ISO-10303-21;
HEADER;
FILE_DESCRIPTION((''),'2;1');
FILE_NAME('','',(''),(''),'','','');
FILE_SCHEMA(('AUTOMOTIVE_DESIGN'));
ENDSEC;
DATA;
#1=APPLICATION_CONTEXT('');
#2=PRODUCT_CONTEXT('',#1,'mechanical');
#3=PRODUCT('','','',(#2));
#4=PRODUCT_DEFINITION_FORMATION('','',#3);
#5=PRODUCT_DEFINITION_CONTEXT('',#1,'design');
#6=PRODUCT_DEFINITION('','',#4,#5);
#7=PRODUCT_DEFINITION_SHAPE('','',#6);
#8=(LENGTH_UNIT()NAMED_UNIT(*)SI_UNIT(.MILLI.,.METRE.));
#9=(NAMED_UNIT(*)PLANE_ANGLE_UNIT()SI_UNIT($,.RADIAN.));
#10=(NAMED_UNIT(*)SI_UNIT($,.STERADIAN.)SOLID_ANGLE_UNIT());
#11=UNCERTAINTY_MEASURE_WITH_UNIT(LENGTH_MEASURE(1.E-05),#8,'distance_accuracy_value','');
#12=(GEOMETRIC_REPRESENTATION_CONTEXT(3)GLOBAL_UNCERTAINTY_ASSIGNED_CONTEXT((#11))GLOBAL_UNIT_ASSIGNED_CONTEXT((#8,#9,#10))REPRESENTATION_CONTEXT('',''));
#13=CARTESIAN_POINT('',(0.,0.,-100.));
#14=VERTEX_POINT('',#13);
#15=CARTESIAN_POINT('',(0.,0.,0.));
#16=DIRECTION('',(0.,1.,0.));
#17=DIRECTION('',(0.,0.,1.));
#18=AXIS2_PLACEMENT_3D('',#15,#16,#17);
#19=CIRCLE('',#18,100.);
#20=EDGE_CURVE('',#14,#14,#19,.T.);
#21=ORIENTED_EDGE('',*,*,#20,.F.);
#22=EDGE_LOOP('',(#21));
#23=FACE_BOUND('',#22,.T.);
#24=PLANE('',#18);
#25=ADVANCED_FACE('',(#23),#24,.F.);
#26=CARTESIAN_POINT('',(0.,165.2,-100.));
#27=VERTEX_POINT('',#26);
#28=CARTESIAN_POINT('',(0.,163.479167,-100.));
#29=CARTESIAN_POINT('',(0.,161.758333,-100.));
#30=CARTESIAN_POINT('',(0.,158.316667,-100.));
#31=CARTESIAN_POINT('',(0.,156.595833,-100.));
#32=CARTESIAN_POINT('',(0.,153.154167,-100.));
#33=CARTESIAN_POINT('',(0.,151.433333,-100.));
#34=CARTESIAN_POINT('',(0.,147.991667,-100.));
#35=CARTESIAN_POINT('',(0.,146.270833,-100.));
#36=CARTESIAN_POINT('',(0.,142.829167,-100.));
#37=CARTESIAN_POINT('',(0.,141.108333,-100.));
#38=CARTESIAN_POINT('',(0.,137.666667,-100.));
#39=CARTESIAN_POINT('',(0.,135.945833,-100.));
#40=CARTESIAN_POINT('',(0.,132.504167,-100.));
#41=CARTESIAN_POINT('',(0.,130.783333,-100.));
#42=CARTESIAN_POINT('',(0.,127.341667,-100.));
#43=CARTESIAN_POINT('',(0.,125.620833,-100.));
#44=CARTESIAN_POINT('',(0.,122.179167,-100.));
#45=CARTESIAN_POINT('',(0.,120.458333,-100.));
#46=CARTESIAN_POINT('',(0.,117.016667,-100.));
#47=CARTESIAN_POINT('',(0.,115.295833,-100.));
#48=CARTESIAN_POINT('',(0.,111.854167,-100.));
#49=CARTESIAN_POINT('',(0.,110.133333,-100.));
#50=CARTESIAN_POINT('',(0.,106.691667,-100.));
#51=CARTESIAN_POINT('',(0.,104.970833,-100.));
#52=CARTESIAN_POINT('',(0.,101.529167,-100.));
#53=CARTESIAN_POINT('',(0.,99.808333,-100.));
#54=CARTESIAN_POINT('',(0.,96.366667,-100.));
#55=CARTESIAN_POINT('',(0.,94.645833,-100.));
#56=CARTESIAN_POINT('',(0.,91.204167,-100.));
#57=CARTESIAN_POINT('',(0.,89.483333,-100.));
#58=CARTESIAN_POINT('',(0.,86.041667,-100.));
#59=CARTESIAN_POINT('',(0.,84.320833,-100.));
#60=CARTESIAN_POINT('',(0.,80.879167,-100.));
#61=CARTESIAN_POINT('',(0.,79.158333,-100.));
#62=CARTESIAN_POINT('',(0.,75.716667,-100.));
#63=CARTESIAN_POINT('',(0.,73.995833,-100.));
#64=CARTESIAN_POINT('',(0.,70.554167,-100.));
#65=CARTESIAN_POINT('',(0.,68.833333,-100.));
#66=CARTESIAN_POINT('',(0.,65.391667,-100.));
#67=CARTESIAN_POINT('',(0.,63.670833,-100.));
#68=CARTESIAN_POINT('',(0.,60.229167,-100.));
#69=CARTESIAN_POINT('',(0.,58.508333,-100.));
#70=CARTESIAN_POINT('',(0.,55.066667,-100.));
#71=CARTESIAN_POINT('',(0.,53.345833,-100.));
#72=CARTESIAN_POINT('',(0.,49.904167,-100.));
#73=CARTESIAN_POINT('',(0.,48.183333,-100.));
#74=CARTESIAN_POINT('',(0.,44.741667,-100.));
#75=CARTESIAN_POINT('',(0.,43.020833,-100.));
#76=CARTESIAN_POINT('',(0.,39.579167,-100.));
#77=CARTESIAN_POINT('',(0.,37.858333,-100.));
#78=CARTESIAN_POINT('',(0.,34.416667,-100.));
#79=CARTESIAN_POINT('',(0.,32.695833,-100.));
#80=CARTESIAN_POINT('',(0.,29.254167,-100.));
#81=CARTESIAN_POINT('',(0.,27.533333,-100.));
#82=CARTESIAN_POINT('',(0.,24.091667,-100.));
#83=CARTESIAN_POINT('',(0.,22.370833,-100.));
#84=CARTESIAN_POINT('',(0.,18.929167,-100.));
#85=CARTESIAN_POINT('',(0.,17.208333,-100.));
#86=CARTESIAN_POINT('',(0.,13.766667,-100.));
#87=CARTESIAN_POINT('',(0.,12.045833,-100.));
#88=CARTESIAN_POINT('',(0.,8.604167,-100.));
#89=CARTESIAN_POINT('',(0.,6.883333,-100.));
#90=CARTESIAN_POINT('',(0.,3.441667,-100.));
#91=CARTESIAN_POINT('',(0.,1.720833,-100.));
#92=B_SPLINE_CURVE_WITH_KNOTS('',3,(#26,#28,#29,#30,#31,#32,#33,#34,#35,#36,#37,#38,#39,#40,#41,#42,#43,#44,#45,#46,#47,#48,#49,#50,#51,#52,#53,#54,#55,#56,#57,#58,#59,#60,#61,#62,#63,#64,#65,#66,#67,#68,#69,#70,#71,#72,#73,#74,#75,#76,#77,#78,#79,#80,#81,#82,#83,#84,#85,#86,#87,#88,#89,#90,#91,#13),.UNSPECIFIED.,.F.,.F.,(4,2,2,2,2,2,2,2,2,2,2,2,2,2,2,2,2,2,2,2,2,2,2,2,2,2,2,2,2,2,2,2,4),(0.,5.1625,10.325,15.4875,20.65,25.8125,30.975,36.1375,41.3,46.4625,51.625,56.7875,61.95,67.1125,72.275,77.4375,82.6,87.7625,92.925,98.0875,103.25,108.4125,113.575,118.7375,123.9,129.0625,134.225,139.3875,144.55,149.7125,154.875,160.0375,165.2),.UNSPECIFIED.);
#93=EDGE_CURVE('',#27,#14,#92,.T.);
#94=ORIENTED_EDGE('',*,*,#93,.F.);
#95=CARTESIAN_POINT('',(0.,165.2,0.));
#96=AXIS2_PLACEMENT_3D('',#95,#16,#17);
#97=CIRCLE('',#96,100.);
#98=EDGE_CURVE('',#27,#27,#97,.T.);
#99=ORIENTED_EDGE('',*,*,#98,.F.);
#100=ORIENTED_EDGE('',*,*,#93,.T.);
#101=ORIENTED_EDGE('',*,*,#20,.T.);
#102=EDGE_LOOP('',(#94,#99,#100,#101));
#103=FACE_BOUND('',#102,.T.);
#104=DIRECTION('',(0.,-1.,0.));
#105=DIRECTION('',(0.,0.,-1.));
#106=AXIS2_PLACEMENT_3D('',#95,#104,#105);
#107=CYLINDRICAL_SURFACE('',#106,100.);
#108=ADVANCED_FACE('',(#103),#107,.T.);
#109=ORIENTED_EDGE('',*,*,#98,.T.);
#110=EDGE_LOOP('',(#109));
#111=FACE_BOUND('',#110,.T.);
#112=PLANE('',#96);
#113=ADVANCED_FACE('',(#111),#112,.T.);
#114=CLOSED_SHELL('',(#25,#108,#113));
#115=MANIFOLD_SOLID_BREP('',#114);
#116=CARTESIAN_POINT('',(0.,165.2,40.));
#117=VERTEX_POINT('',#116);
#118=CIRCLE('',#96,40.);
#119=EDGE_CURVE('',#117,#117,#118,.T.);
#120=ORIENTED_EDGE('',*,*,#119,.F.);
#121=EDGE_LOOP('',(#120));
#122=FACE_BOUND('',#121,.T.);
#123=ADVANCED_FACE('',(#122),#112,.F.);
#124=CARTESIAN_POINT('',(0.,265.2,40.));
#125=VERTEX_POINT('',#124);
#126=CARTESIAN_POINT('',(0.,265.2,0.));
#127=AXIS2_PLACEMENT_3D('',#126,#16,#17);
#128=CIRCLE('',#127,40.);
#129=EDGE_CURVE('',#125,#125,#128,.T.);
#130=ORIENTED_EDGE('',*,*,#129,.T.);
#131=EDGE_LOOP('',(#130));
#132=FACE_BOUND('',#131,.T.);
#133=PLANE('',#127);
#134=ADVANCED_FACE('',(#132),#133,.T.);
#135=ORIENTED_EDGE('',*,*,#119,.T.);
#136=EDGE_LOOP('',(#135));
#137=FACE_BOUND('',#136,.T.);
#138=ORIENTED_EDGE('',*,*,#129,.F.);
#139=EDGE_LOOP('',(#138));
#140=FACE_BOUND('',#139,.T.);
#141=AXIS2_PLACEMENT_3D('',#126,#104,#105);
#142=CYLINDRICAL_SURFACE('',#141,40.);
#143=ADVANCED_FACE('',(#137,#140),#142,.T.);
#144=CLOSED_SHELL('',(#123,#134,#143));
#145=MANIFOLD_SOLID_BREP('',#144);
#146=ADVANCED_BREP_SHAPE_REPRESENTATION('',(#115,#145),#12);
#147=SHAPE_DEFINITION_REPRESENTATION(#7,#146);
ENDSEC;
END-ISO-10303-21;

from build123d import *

# Parameters (mm, degrees)
SKETCH_1_R      = 100
EXTRUDE_1_DEPTH = 165.2
SKETCH_3_R      = 40
EXTRUDE_3_DEPTH = 50


with BuildPart() as part:
    # 草图1 → 凸台-拉伸1 (new body)
    with BuildSketch(Plane(origin=(0, 0, 0), x_dir=(1, 0, 0), z_dir=(0, 1, 0))):
        Circle(SKETCH_1_R)
    extrude(amount=EXTRUDE_1_DEPTH)


with BuildPart() as body_2:
    # 草图3 → 凸台-拉伸3 (new, symmetric)
    with BuildSketch(Plane(origin=(0, 215.2, 0), x_dir=(1, 0, 0), z_dir=(0, 1, 0))):
        Circle(SKETCH_3_R)
    extrude(amount=EXTRUDE_3_DEPTH, both=True)


solid = Compound([part.part, body_2.part])
